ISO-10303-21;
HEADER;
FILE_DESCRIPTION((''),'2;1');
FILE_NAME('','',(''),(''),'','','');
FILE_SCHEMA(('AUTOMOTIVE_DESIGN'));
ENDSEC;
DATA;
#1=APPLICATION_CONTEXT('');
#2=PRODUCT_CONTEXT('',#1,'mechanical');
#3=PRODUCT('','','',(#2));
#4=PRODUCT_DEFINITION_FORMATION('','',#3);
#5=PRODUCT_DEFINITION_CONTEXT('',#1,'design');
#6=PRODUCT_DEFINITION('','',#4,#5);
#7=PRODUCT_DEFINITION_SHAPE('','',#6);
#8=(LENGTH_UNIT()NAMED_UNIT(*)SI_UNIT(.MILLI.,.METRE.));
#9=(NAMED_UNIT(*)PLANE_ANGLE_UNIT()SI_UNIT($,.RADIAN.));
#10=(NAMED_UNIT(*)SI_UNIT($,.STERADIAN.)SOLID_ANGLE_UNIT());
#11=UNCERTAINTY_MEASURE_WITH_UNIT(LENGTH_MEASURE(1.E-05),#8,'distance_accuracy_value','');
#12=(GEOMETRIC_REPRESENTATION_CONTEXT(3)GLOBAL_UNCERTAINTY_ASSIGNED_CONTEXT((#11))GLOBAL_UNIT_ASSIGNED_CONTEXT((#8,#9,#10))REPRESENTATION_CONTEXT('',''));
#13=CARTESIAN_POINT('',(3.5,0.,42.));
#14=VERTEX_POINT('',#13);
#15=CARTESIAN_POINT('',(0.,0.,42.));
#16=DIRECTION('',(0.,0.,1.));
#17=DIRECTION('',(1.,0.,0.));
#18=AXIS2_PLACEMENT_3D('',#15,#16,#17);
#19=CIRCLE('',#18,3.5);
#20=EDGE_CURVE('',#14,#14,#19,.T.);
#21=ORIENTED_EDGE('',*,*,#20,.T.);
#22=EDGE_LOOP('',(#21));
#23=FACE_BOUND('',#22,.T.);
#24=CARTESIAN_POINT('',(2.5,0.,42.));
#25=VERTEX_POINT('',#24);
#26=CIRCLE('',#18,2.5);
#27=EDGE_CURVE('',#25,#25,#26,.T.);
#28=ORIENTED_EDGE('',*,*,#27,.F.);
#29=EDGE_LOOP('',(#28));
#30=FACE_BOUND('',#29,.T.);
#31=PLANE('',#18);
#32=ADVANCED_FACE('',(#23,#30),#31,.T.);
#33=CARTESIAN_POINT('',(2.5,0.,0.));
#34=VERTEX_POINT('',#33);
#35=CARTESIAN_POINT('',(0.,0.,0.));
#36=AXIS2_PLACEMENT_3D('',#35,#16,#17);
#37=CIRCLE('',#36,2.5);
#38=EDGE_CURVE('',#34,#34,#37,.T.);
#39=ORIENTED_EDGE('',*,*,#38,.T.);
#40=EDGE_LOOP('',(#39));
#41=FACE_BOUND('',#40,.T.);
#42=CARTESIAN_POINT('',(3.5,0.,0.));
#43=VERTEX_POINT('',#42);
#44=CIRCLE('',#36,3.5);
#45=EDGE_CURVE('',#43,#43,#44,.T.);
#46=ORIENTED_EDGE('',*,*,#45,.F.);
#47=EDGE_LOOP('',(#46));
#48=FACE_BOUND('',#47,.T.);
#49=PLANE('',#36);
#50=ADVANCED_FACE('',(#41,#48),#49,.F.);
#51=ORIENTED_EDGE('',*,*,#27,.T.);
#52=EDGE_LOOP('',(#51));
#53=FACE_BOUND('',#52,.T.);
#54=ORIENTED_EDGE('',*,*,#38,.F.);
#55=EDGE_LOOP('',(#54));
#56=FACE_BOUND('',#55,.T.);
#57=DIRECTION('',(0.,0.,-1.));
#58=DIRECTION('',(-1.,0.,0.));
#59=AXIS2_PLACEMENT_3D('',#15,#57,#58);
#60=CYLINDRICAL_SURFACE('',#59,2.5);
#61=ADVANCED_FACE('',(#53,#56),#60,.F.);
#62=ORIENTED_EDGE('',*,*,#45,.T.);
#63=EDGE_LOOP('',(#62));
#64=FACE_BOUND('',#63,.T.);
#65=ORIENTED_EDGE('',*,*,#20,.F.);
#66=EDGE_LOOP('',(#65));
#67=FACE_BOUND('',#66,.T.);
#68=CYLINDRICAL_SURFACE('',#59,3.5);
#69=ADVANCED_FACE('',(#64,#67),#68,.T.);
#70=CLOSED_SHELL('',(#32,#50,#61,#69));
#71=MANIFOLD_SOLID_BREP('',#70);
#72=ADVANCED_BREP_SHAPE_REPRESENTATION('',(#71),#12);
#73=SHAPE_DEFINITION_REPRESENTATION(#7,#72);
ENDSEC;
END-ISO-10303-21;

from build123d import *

# Parameters (mm, degrees)
SKETCH1_R           = 3.5
SKETCH1_R_2         = 2.5
BOSS_EXTRUDE1_DEPTH = 42


with BuildPart() as part:
    # Sketch1 → Boss-Extrude1 (new body)
    with BuildSketch(Plane.XY):
        Circle(SKETCH1_R)
        Circle(SKETCH1_R_2, mode=Mode.SUBTRACT)
    extrude(amount=BOSS_EXTRUDE1_DEPTH)


solid = part.part
